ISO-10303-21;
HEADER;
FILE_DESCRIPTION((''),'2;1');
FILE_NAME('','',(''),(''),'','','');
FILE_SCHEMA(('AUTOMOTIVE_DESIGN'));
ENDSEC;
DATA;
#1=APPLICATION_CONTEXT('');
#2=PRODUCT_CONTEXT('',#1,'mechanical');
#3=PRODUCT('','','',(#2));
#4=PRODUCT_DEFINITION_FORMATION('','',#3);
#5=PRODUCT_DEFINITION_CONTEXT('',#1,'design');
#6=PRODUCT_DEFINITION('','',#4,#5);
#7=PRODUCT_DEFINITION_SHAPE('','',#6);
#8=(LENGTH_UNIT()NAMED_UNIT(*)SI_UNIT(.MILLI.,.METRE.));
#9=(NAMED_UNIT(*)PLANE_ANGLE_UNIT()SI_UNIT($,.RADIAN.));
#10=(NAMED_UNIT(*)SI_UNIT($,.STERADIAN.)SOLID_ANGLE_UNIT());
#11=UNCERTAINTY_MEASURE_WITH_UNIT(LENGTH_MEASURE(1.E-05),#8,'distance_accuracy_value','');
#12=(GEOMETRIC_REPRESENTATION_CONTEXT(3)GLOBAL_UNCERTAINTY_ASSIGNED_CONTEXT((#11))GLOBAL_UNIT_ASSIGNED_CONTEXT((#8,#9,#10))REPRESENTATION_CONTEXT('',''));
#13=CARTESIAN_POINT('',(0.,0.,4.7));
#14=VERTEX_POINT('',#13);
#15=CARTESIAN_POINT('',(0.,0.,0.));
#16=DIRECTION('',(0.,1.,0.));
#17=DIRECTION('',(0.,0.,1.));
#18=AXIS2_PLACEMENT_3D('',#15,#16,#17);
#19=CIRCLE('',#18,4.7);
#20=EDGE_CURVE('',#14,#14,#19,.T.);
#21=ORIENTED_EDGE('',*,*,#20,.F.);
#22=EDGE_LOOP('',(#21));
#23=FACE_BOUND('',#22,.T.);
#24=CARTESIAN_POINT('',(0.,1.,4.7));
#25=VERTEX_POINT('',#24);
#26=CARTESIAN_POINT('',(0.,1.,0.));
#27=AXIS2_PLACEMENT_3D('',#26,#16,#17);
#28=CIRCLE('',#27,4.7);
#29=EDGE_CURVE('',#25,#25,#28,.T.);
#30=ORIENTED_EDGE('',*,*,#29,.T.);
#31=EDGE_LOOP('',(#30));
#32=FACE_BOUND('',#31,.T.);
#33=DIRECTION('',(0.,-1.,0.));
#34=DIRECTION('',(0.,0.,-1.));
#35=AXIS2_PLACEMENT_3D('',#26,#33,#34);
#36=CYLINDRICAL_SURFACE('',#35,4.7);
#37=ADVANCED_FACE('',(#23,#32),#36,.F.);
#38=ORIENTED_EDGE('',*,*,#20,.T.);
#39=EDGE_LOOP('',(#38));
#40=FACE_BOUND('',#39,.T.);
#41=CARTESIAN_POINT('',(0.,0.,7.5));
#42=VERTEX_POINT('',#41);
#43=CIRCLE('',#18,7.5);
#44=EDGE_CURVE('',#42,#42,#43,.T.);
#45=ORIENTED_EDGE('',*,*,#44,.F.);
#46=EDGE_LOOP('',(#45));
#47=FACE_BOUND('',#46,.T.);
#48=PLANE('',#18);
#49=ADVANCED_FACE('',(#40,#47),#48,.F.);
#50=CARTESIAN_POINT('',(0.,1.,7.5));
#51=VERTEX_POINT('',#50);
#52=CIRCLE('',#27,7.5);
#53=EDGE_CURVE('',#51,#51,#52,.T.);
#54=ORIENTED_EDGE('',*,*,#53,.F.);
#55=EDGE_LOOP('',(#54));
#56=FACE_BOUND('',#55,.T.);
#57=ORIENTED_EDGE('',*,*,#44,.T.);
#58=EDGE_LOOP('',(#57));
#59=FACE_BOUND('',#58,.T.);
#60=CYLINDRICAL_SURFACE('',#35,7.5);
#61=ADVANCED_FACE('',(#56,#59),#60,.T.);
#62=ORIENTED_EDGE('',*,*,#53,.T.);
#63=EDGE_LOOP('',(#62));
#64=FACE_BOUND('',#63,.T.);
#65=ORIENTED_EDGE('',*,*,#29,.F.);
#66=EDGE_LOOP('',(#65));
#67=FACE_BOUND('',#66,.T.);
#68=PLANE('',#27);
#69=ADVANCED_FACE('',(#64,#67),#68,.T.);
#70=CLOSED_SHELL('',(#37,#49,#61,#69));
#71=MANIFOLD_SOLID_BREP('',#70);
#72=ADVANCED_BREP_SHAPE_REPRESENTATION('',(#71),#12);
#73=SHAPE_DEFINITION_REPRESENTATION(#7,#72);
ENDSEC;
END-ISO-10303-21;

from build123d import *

# Parameters (mm, degrees)
ESQUISSE2_R        = 7.5
ESQUISSE2_R_2      = 4.7
BOSS_EXTRU_1_DEPTH = 1


with BuildPart() as part:
    # Esquisse2 → Boss.-Extru.1 (new body)
    with BuildSketch(Plane(origin=(0, 0, 0), x_dir=(1, 0, 0), z_dir=(0, 1, 0))):
        with Locations(Location((0, 0, 0), (0, 0, 270))):
            Circle(ESQUISSE2_R)
        with Locations(Location((0, 0, 0), (0, 0, 270))):
            Circle(ESQUISSE2_R_2, mode=Mode.SUBTRACT)
    extrude(amount=BOSS_EXTRU_1_DEPTH)


solid = part.part
